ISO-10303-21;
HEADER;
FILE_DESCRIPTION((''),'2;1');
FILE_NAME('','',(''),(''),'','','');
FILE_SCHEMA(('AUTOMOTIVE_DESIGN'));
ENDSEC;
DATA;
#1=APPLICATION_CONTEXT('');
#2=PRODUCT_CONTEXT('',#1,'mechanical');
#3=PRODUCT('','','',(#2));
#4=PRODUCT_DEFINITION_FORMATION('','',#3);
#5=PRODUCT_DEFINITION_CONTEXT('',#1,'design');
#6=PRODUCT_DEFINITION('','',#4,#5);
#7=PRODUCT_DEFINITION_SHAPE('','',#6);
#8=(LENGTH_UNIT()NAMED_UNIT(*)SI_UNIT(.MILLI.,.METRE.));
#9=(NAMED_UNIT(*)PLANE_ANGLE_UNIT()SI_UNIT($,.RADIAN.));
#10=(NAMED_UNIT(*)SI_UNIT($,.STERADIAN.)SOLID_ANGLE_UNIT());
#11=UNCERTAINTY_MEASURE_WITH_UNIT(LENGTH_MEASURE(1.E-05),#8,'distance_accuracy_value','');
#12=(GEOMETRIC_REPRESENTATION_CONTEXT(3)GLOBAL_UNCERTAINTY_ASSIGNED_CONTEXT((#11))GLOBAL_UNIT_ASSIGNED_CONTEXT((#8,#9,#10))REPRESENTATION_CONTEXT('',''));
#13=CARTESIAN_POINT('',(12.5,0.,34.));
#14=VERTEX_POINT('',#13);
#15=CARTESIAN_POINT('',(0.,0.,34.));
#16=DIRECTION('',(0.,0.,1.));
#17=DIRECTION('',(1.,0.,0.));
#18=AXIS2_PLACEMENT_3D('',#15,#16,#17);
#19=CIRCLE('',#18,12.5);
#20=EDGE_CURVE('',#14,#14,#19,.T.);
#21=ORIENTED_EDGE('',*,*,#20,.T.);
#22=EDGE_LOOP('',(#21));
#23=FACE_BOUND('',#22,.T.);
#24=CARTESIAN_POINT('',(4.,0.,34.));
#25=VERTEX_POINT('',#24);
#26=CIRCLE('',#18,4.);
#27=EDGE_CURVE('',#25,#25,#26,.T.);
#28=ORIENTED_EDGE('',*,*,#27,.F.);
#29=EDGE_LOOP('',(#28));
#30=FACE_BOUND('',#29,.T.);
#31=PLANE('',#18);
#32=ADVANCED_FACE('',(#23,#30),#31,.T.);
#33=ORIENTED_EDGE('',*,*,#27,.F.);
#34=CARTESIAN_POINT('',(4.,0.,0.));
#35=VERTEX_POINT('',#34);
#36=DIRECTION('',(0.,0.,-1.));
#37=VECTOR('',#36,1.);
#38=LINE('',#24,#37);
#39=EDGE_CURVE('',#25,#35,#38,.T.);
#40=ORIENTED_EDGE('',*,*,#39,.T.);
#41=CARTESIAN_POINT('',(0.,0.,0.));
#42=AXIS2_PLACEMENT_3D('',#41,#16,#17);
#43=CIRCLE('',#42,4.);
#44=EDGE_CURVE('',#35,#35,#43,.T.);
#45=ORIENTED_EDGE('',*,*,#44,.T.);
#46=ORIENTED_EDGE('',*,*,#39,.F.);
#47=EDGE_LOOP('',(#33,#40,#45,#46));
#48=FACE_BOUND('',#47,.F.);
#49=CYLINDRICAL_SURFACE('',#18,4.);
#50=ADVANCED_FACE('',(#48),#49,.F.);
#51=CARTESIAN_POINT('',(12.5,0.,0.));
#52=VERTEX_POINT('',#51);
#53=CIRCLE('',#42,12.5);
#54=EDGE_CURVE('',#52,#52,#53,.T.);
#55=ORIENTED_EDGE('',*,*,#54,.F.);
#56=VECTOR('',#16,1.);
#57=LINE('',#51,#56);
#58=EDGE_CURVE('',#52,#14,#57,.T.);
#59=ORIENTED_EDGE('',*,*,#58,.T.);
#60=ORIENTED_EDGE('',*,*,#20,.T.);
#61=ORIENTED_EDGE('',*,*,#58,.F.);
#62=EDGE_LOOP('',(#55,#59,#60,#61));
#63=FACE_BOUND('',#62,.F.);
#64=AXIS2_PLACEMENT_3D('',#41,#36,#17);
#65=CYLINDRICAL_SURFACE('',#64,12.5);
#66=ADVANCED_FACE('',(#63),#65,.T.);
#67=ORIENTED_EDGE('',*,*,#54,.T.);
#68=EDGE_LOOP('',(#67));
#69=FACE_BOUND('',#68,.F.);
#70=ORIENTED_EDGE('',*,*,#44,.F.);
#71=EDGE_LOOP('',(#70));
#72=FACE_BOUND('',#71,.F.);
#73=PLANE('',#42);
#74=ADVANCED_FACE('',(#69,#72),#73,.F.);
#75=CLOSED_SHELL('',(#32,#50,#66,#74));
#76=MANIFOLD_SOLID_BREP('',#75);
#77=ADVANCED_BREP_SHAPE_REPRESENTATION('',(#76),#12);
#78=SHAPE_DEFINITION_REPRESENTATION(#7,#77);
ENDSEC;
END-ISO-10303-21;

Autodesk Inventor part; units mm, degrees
ref_plane "YZ Plane" through (0, 0, 0) normal (1, 0, 0) x (0, 1, 0)
ref_plane "XZ Plane" through (0, 0, 0) normal (0, 1, 0) x (-1, 0, 0)
ref_plane "XY Plane" through (0, 0, 0) normal (0, 0, 1) x (1, 0, 0)
sketch "Sketch1" plane through (0, 0, 0) normal (0, 0, 1) x (1, 0, 0)
  circle A0 centre (0, 0) radius 12.5
  dimension "d0" = 25
extrude "Extrusion1" add sketch "Sketch1" along normal blind 34
sketch "Sketch2" plane through (0, 0, 34) normal (0, 0, 1) x (1, 0, 0)
  circle A0 centre (0, 0) radius 4
  dimension "d3" = 8
extrude "Extrusion2" cut sketch "Sketch2" against normal through all
properties part number "Khop_noi_mem"
